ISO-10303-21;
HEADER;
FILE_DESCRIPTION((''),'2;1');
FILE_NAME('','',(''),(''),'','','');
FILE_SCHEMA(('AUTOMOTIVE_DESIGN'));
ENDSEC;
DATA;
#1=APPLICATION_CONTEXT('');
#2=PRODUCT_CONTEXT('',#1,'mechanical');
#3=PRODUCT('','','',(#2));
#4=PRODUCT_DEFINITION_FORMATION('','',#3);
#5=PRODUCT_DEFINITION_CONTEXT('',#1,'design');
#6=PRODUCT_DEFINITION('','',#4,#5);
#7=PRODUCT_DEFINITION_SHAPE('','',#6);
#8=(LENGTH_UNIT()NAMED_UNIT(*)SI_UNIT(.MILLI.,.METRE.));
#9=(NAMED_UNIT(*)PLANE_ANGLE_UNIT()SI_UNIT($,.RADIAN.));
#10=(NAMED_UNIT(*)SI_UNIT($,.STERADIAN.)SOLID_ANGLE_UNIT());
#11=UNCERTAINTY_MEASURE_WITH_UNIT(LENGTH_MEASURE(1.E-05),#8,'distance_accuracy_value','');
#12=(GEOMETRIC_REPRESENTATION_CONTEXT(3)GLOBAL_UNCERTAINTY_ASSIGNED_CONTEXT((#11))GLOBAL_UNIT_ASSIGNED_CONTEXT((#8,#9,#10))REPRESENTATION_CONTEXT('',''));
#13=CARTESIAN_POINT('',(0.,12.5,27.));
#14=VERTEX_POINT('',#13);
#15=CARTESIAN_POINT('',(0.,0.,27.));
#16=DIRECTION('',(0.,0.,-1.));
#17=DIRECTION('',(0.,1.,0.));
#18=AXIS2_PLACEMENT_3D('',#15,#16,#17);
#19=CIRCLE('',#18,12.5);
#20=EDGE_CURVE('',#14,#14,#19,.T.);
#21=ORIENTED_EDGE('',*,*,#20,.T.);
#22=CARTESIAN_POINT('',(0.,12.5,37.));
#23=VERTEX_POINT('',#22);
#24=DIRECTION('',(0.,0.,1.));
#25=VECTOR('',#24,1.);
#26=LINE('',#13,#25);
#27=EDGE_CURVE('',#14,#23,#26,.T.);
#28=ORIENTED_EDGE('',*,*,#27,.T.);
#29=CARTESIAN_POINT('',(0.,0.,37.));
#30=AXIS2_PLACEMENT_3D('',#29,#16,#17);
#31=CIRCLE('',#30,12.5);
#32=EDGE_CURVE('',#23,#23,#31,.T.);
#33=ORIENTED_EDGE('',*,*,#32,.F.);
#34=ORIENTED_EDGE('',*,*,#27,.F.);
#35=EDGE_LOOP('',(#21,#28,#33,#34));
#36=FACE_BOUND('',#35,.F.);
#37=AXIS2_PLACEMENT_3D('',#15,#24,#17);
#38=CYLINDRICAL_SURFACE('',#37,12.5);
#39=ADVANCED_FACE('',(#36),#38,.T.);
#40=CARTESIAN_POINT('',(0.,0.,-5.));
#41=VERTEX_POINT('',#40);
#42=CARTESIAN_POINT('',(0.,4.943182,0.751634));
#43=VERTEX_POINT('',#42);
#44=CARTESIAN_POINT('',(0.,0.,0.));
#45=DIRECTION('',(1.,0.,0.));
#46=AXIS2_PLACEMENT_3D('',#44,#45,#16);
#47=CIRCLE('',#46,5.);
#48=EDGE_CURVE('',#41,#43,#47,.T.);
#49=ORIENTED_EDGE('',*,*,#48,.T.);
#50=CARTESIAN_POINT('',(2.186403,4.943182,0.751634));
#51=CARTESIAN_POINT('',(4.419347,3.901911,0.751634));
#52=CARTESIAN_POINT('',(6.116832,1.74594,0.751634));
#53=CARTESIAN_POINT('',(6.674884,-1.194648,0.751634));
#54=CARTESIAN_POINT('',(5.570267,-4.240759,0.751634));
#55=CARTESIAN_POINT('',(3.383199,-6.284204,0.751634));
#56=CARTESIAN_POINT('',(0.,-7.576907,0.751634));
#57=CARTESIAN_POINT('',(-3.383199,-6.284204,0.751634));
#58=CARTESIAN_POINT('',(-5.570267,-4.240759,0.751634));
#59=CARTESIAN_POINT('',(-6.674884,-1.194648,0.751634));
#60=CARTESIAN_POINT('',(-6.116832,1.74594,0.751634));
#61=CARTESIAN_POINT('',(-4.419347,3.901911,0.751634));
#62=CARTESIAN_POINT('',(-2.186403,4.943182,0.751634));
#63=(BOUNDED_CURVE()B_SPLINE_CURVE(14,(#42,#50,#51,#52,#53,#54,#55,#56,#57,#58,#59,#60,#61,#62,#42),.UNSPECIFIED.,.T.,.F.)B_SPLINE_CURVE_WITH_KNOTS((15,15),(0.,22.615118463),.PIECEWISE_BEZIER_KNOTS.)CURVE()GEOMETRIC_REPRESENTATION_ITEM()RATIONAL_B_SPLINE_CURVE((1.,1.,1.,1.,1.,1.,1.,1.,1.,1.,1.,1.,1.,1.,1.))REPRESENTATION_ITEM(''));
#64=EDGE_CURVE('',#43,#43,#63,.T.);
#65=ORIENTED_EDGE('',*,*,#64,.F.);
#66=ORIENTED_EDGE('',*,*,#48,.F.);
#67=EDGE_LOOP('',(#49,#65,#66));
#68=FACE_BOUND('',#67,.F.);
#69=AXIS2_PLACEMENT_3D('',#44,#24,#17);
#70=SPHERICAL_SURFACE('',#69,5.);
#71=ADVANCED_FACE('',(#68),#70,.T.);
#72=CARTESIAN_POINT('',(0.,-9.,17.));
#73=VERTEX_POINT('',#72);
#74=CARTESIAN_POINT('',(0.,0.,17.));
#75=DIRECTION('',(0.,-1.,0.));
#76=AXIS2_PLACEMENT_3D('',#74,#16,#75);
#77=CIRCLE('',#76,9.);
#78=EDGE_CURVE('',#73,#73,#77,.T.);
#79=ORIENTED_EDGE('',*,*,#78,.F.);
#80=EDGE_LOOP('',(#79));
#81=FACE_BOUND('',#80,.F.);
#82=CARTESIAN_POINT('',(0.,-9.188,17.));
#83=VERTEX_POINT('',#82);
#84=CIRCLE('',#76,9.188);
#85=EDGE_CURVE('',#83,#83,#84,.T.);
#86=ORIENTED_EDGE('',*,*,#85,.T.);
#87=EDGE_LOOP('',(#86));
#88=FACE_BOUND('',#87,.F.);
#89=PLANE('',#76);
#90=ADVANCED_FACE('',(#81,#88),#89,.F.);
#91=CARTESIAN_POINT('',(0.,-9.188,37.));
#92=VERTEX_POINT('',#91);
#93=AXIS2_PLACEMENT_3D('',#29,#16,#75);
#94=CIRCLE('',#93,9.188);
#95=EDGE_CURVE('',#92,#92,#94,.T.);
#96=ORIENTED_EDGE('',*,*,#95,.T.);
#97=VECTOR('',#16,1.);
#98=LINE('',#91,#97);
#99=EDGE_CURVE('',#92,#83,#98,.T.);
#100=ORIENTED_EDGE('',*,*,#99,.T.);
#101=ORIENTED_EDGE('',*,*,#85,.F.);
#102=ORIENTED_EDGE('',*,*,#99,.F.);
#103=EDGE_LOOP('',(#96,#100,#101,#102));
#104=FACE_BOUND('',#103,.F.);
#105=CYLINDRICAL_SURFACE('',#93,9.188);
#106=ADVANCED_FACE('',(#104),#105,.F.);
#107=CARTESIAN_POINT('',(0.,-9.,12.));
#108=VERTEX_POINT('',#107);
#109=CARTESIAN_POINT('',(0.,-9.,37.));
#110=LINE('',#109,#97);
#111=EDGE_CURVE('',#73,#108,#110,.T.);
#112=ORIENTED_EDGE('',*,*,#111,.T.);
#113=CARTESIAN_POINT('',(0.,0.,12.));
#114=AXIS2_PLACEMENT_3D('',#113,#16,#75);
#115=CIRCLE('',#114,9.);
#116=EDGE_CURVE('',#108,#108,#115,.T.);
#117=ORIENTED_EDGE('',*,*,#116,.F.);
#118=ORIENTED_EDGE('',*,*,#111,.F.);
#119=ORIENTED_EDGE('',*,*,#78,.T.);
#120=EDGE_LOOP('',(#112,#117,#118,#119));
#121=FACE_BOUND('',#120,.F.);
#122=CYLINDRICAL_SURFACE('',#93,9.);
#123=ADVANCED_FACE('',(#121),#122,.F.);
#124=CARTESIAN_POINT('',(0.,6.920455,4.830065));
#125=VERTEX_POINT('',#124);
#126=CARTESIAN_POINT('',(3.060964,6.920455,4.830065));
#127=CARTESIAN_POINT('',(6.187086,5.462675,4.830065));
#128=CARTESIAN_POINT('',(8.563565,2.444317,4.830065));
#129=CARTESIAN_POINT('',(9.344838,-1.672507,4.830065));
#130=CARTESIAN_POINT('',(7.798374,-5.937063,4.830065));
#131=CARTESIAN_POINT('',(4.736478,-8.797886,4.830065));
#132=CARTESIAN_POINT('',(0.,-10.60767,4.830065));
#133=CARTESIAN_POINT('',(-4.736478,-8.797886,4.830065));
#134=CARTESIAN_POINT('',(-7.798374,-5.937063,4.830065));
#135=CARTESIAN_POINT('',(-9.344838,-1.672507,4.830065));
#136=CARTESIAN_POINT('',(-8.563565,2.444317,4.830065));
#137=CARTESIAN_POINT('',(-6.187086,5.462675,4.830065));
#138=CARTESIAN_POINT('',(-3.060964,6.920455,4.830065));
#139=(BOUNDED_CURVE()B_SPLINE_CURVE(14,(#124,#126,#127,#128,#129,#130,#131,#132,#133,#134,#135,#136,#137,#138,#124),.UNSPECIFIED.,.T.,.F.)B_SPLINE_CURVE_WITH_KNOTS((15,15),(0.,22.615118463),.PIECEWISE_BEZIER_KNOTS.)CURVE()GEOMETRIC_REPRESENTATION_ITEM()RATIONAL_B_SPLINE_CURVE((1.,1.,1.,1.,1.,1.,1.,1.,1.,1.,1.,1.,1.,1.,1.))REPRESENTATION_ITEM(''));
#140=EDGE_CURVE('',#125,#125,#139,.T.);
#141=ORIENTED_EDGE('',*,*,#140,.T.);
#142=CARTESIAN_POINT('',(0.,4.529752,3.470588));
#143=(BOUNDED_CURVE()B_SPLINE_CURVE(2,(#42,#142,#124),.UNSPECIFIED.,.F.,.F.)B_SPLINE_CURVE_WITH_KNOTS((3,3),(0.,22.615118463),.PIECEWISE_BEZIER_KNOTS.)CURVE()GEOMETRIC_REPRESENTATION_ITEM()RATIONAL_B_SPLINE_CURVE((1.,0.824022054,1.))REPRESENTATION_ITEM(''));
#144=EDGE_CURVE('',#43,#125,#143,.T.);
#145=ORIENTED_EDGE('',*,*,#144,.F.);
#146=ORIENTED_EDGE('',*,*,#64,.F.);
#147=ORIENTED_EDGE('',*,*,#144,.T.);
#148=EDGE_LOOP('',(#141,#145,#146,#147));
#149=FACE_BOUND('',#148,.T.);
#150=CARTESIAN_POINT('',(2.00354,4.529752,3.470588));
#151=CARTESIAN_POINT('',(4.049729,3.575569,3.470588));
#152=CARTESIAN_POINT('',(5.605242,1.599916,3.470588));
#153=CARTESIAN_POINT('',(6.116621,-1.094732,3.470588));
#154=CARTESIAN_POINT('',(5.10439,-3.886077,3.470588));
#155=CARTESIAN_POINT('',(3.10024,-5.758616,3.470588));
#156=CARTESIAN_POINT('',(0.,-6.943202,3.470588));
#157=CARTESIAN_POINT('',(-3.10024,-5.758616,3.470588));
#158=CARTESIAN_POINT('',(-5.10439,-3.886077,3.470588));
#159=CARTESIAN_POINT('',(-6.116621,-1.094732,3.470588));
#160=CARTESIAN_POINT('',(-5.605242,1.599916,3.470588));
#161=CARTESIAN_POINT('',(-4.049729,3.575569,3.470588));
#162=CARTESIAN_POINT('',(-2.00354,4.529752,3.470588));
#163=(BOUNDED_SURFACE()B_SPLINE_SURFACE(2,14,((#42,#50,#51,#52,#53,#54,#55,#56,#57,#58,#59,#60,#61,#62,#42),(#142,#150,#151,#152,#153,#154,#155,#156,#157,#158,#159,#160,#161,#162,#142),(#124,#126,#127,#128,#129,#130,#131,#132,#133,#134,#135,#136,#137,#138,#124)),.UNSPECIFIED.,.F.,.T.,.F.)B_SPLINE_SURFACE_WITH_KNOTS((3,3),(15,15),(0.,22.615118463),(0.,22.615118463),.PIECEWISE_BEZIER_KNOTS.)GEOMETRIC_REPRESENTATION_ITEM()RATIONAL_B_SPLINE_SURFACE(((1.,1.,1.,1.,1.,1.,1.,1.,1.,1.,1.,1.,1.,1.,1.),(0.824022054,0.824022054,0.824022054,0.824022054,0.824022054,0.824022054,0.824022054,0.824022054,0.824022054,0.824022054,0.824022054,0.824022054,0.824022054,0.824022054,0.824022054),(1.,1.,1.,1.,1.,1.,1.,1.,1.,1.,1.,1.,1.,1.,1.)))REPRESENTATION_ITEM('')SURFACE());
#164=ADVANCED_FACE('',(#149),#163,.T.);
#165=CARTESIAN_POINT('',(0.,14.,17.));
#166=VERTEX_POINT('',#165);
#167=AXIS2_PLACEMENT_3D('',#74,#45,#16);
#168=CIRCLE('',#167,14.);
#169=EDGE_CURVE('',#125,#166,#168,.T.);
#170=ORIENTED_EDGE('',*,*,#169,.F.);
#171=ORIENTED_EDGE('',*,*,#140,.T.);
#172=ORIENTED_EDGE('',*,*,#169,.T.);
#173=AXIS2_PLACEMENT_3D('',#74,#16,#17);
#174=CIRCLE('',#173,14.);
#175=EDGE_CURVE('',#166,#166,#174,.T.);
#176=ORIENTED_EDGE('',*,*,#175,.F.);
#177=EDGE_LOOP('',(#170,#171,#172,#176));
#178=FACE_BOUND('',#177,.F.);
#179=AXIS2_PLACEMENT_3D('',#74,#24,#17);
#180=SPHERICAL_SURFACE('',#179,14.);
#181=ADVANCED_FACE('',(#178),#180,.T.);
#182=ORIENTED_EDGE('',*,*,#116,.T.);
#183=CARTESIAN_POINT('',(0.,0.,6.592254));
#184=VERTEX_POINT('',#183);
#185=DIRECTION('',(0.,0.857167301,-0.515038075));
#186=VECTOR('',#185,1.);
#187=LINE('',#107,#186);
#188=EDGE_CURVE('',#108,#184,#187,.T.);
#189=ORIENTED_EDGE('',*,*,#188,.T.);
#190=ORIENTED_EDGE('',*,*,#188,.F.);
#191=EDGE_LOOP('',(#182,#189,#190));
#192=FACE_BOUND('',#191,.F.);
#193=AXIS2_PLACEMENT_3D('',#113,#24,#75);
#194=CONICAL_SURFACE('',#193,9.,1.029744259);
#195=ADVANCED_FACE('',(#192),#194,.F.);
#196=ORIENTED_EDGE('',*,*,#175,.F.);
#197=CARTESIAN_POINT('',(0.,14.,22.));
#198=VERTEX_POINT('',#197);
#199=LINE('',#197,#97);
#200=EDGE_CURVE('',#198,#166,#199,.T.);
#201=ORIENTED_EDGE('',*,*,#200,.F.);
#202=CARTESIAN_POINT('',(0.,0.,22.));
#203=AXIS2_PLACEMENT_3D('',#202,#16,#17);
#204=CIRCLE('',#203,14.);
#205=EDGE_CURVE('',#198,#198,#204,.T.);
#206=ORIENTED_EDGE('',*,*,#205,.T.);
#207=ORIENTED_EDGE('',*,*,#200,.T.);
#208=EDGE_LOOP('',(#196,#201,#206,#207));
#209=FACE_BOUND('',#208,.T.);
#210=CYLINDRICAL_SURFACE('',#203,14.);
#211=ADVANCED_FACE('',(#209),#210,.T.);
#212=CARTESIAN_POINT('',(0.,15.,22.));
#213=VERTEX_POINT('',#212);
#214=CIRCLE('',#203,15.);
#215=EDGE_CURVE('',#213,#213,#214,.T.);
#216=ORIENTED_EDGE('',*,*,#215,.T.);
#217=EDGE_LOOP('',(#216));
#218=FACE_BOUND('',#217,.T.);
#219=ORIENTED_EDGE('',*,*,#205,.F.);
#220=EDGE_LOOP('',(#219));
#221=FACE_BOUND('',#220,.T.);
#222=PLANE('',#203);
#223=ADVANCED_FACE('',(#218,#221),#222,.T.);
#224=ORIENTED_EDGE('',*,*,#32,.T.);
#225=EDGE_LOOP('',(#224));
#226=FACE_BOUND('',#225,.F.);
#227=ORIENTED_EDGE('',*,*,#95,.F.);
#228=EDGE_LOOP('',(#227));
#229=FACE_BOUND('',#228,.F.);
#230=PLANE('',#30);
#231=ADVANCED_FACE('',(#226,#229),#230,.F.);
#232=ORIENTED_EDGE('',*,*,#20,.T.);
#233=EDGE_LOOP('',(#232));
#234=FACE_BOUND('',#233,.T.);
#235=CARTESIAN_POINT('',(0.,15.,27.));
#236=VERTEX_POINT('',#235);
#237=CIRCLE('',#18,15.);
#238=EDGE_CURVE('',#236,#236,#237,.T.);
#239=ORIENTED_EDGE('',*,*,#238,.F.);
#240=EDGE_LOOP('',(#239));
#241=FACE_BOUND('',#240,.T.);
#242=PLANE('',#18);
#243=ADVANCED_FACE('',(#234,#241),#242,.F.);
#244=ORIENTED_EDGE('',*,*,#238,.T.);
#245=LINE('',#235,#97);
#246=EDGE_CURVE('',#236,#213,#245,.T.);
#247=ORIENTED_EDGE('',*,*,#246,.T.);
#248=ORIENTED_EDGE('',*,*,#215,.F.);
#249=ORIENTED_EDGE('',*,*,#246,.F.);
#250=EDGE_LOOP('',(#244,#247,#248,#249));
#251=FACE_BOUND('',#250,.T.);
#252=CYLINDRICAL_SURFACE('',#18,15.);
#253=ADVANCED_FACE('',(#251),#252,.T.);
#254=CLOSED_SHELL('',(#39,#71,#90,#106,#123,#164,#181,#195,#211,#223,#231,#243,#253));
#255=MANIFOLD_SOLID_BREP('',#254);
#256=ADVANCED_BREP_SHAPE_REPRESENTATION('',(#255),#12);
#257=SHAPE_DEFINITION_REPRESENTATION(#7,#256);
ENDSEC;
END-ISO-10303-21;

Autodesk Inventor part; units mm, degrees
ref_plane "YZ Plane" through (0, 0, 0) normal (1, 0, 0) x (0, 1, 0)
ref_plane "XZ Plane" through (0, 0, 0) normal (0, 1, 0) x (-1, 0, 0)
ref_plane "XY Plane" through (0, 0, 0) normal (0, 0, 1) x (1, 0, 0)
sketch "草圖1" plane through (0, 0, 0) normal (1, 0, 0) x (0, 1, 0)
  arc A0 (0, -5) -> (0, 5) centre (0, 0) ccw
  line L0 (0, 27) -> (12.5, 27)
  line L1 (12.5, 27) -> (12.5, 37)
  line L2 (12.5, 37) -> (0, 37)
  line L3 (0, 27) -> (15, 27)
  line L4 (15, 27) -> (15, 22)
  line L5 (15, 22) -> (0, 22)
  line L6 (0, 22) -> (0, 27)
  arc A1 (0, 3) -> (0, 31) centre (0, 17) ccw
  line L7 (14, 22) -> (14, 17)
  line L8 (0, 37) -> (0, -5)
  point P0 (3.5993, 3.4706)
  dimension "d0" = 10
  dimension "d2" = 12.5
  dimension "d3" = 10
  dimension "d4" = 15
  dimension "d10" = 20
  dimension "d11" = 5
  dimension "d12" = 27
revolve "迴轉1" add sketch "草圖1" angle 360 about axis through (0, 0, 37) along (0, 0, -1)
fillet "圓角1" radius 4 1 edges at (0, -3.5993, 3.4706)
sketch "草圖2" plane through (0, 0, 37) normal (0, 0, 1) x (1, 0, 0)
  point P0 (0, 0)
  point P1 (0, 0)
hole "孔1" at (0, 0, 37) direction (0, 0, -1) diameter 18 depth 25 tip angle 118
sketch "草圖3" plane through (0, 0, 37) normal (0, 0, 1) x (1, 0, 0)
  point P0 (0, 0)
  point P1 (0, 0)
hole "孔2" at (0, 0, 37) direction (0, 0, -1) diameter 18.376 depth 20 thread size "M20x1.5" class "6H" standard "ISO Metric profile"
properties part number "3. 砲尾"
